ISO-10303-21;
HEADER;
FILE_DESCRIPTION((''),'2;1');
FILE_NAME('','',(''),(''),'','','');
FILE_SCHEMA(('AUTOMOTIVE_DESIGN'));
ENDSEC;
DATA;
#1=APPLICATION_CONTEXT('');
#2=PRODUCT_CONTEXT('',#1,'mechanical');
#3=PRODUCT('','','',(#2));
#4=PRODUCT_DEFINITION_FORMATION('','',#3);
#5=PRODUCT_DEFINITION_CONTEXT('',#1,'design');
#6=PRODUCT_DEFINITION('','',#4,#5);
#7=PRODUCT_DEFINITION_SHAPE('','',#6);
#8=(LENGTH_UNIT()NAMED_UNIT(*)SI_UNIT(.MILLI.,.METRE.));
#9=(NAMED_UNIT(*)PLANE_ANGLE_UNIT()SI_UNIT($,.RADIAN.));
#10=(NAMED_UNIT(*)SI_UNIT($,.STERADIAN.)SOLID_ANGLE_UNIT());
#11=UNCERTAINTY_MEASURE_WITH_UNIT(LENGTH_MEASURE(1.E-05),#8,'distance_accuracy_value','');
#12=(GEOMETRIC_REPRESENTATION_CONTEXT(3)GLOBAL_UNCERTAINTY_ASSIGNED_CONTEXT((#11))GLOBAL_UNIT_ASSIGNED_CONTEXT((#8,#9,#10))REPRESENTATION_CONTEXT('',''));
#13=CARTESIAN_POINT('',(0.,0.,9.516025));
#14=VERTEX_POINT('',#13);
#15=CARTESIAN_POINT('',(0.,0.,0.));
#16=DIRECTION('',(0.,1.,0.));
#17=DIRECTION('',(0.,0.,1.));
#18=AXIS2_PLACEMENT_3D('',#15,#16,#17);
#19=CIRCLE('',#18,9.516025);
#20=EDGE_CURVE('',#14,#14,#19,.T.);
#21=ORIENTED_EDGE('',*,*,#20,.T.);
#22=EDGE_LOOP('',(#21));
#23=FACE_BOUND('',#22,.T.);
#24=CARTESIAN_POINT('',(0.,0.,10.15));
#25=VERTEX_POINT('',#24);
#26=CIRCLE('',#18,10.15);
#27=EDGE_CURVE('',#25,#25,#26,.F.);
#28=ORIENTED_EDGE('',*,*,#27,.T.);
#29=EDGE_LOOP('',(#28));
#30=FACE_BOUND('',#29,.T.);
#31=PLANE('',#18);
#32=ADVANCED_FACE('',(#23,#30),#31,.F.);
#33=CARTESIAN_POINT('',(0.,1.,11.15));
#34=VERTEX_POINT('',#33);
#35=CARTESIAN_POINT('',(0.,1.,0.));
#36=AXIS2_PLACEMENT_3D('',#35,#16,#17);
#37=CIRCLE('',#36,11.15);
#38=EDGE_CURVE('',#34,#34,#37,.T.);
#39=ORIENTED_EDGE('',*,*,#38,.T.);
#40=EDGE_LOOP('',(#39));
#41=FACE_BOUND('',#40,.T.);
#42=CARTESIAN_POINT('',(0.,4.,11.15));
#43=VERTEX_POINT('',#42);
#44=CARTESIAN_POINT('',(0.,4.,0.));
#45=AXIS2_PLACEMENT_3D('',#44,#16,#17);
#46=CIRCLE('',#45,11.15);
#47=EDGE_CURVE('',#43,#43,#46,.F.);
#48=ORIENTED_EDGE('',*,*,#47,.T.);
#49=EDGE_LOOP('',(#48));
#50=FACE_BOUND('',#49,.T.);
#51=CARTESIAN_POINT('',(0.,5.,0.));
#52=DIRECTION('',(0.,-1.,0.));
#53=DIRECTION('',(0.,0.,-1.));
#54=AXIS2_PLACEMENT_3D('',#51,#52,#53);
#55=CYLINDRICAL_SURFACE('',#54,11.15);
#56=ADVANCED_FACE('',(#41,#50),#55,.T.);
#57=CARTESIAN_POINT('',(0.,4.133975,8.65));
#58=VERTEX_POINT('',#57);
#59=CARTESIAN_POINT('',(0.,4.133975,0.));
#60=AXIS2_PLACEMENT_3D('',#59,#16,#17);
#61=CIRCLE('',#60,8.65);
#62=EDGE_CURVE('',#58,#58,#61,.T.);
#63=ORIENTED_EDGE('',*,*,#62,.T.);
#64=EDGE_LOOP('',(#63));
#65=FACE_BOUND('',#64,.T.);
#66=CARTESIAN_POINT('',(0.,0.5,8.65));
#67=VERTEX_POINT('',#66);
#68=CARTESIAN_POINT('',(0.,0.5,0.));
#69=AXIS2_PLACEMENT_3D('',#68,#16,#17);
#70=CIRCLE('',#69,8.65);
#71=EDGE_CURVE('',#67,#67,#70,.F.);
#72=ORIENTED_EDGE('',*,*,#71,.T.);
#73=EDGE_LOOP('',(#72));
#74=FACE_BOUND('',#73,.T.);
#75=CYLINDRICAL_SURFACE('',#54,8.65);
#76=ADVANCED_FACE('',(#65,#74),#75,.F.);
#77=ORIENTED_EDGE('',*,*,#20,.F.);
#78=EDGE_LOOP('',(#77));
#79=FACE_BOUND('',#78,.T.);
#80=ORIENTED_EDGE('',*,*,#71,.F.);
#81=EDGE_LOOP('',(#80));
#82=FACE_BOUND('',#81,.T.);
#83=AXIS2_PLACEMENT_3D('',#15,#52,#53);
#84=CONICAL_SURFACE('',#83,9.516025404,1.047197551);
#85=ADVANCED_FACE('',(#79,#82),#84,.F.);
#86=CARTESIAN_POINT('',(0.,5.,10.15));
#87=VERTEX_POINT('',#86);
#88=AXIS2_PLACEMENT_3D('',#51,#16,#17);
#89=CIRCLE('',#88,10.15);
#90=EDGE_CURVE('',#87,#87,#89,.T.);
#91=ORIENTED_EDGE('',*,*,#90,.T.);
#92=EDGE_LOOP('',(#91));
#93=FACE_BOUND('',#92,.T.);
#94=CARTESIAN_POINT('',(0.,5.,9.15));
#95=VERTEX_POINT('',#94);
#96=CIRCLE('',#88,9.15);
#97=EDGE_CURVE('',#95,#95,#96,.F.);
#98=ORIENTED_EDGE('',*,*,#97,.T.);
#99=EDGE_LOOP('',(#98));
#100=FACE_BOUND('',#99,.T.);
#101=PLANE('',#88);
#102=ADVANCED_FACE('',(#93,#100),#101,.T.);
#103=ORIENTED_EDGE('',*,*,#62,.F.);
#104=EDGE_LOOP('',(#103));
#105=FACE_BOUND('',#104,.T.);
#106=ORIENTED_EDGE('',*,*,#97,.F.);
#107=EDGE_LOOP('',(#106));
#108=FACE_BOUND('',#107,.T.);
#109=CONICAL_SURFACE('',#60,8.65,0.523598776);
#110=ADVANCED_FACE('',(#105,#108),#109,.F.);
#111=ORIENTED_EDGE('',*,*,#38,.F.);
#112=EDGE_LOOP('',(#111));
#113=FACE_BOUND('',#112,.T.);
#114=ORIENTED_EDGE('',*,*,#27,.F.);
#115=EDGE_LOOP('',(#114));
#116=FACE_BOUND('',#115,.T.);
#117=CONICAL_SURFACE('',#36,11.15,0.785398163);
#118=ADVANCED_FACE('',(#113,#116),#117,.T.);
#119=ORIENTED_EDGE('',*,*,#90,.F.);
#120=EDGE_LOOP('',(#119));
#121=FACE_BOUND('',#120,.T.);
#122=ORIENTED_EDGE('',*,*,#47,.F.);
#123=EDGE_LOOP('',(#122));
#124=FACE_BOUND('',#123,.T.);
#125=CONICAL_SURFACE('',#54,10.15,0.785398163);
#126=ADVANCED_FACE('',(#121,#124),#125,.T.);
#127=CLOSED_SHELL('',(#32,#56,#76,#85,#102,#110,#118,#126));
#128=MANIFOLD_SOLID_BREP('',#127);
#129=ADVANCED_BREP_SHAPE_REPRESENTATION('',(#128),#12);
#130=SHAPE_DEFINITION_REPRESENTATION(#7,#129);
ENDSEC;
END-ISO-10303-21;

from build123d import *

# Parameters (mm, degrees)
SKETCH1_R             = 11.15
SKETCH1_R_2           = 8.65
BOSS_EXTRUDE1_DEPTH   = 5
CHAMFER1_SIZE         = 1
CHAMFER2_SIZE         = 0.5
CHAMFER2_SIZE2        = 0.866025404
CHAMFER2_PART_2_SIZE  = 0.5
CHAMFER2_PART_2_SIZE2 = 0.866025404


with BuildPart() as part:
    # Sketch1 → Boss-Extrude1 (new body)
    with BuildSketch(Plane(origin=(0, 0, 0), x_dir=(1, 0, 0), z_dir=(0, 1, 0))):
        Circle(SKETCH1_R)
        Circle(SKETCH1_R_2, mode=Mode.SUBTRACT)
    extrude(amount=BOSS_EXTRUDE1_DEPTH)

    # Chamfer1
    chamfer1_edges = [part.edges().sort_by_distance(p)[0] for p in [
        (-11.15, 0, 0),
        (-11.15, 5, 0),
    ]]
    chamfer(chamfer1_edges, length=CHAMFER1_SIZE)

    # Chamfer2
    chamfer2_edges = [part.edges().sort_by_distance(p)[0] for p in [
        (-8.65, 0, 0),
    ]]
    chamfer2_side = [part.faces().sort_by_distance(p)[0] for p in [
        (-8.65, 2.5, 0),
    ]]
    chamfer(chamfer2_edges, length=CHAMFER2_SIZE, length2=CHAMFER2_SIZE2, reference=chamfer2_side[0])

    # Chamfer2 part 2
    chamfer2_part_2_edges = [part.edges().sort_by_distance(p)[0] for p in [
        (-8.65, 5, 0),
    ]]
    chamfer2_part_2_side = [part.faces().sort_by_distance(p)[0] for p in [
        (-9.862914647, 5, 0),
    ]]
    chamfer(chamfer2_part_2_edges, length=CHAMFER2_PART_2_SIZE, length2=CHAMFER2_PART_2_SIZE2, reference=chamfer2_part_2_side[0])


solid = part.part
